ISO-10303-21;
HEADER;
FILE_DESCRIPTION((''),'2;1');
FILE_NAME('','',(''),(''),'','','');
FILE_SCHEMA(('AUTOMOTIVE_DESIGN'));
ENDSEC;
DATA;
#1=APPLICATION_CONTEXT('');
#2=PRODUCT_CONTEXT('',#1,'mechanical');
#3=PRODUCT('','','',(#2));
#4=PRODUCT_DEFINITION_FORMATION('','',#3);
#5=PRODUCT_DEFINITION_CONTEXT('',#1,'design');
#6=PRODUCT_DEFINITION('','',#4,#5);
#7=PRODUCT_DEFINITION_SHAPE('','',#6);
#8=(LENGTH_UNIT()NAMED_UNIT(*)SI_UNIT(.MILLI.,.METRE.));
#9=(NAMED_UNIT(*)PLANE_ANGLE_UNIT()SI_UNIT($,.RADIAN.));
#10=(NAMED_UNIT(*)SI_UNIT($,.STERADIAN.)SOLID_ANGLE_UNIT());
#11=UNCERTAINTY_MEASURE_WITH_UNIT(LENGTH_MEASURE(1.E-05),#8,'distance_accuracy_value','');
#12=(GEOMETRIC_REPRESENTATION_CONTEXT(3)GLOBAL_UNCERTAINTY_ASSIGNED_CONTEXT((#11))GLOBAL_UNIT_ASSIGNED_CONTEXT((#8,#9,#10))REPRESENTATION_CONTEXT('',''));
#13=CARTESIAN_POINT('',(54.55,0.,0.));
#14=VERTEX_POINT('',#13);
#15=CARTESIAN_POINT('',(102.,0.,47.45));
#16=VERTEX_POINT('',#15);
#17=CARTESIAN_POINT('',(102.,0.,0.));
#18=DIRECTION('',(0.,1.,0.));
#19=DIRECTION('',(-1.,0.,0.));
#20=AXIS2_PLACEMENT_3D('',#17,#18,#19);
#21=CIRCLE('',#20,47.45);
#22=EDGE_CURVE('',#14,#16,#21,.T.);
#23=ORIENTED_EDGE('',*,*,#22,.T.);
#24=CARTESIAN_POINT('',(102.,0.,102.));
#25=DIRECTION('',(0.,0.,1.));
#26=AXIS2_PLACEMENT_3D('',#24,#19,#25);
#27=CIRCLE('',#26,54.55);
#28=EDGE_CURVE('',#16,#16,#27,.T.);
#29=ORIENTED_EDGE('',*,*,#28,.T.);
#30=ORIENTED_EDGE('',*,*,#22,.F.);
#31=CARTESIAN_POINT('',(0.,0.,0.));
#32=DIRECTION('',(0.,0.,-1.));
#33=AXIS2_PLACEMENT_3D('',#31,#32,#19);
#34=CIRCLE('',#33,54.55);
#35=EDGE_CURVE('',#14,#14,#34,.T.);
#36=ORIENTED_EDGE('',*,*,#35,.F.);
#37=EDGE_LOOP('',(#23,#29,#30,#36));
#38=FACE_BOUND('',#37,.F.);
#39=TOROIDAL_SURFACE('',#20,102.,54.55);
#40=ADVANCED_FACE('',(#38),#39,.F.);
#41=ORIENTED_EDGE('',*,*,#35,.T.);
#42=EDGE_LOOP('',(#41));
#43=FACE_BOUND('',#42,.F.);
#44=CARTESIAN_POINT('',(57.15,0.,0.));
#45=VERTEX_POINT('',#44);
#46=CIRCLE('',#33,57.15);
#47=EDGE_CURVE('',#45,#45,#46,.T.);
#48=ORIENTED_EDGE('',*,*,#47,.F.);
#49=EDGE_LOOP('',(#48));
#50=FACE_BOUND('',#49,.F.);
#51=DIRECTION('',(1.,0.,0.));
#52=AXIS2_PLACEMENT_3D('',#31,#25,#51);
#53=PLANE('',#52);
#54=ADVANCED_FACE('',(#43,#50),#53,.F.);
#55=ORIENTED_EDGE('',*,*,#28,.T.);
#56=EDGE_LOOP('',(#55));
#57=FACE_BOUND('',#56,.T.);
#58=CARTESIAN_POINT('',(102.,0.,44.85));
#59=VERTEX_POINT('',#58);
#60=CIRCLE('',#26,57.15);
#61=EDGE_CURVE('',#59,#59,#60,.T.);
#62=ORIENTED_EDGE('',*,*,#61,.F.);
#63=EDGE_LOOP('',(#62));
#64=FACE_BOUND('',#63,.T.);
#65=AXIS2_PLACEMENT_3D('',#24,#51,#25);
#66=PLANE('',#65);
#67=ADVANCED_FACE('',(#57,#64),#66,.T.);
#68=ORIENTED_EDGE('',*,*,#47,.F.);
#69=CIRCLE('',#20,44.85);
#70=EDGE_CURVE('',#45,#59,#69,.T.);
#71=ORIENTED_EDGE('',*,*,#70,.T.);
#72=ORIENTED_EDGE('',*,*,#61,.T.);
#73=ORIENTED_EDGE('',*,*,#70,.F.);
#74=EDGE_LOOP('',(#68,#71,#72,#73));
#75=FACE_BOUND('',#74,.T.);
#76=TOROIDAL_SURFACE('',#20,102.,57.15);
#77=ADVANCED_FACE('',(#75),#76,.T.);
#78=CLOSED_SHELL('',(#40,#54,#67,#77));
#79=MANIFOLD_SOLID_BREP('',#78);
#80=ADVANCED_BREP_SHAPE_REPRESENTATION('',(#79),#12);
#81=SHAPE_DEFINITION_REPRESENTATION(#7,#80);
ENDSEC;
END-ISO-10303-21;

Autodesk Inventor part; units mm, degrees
ref_plane "YZ Plane" through (0, 0, 0) normal (1, 0, 0) x (0, 1, 0)
ref_plane "XZ Plane" through (0, 0, 0) normal (0, 1, 0) x (-1, 0, 0)
ref_plane "XY Plane" through (0, 0, 0) normal (0, 0, 1) x (1, 0, 0)
sketch "Sketch1" plane through (0, 0, 0) normal (0, 0, 1) x (1, 0, 0)
  circle A0 centre (0, 0) radius 54.55
  circle A1 centre (0, 0) radius 57.15
  dimension "d0" = 109.1
  dimension "d1" = 114.3
sketch "Sketch2" plane through (0, 0, 0) normal (0, 1, 0) x (-1, 0, 0)
  line L0 (0, 0) -> (0, 102) construction
  line L1 (0, 102) -> (-102, 102) construction
  arc A0 (0, 0) -> (-102, 102) centre (-102, 0) ccw
  dimension "d2" = 102
  dimension "d3" = 102
sweep "Sweep1" add profiles "Sketch1" path "Sketch2"
equation "\"d0\" = -2 * s1 + da"
equation "\"d1\" = da"
equation "\"d2\" = r"
equation "\"d3\" = r"
equation "\"da\" = 114.3"
equation "\"r\" = 102"
equation "\"s1\" = 2.6"
equation "\"Size_Designation\" = 1.2345"
properties part number "DIN 2605 90 Deg Elbow Type 2 114.3 - 2.6S" material "Steel"
